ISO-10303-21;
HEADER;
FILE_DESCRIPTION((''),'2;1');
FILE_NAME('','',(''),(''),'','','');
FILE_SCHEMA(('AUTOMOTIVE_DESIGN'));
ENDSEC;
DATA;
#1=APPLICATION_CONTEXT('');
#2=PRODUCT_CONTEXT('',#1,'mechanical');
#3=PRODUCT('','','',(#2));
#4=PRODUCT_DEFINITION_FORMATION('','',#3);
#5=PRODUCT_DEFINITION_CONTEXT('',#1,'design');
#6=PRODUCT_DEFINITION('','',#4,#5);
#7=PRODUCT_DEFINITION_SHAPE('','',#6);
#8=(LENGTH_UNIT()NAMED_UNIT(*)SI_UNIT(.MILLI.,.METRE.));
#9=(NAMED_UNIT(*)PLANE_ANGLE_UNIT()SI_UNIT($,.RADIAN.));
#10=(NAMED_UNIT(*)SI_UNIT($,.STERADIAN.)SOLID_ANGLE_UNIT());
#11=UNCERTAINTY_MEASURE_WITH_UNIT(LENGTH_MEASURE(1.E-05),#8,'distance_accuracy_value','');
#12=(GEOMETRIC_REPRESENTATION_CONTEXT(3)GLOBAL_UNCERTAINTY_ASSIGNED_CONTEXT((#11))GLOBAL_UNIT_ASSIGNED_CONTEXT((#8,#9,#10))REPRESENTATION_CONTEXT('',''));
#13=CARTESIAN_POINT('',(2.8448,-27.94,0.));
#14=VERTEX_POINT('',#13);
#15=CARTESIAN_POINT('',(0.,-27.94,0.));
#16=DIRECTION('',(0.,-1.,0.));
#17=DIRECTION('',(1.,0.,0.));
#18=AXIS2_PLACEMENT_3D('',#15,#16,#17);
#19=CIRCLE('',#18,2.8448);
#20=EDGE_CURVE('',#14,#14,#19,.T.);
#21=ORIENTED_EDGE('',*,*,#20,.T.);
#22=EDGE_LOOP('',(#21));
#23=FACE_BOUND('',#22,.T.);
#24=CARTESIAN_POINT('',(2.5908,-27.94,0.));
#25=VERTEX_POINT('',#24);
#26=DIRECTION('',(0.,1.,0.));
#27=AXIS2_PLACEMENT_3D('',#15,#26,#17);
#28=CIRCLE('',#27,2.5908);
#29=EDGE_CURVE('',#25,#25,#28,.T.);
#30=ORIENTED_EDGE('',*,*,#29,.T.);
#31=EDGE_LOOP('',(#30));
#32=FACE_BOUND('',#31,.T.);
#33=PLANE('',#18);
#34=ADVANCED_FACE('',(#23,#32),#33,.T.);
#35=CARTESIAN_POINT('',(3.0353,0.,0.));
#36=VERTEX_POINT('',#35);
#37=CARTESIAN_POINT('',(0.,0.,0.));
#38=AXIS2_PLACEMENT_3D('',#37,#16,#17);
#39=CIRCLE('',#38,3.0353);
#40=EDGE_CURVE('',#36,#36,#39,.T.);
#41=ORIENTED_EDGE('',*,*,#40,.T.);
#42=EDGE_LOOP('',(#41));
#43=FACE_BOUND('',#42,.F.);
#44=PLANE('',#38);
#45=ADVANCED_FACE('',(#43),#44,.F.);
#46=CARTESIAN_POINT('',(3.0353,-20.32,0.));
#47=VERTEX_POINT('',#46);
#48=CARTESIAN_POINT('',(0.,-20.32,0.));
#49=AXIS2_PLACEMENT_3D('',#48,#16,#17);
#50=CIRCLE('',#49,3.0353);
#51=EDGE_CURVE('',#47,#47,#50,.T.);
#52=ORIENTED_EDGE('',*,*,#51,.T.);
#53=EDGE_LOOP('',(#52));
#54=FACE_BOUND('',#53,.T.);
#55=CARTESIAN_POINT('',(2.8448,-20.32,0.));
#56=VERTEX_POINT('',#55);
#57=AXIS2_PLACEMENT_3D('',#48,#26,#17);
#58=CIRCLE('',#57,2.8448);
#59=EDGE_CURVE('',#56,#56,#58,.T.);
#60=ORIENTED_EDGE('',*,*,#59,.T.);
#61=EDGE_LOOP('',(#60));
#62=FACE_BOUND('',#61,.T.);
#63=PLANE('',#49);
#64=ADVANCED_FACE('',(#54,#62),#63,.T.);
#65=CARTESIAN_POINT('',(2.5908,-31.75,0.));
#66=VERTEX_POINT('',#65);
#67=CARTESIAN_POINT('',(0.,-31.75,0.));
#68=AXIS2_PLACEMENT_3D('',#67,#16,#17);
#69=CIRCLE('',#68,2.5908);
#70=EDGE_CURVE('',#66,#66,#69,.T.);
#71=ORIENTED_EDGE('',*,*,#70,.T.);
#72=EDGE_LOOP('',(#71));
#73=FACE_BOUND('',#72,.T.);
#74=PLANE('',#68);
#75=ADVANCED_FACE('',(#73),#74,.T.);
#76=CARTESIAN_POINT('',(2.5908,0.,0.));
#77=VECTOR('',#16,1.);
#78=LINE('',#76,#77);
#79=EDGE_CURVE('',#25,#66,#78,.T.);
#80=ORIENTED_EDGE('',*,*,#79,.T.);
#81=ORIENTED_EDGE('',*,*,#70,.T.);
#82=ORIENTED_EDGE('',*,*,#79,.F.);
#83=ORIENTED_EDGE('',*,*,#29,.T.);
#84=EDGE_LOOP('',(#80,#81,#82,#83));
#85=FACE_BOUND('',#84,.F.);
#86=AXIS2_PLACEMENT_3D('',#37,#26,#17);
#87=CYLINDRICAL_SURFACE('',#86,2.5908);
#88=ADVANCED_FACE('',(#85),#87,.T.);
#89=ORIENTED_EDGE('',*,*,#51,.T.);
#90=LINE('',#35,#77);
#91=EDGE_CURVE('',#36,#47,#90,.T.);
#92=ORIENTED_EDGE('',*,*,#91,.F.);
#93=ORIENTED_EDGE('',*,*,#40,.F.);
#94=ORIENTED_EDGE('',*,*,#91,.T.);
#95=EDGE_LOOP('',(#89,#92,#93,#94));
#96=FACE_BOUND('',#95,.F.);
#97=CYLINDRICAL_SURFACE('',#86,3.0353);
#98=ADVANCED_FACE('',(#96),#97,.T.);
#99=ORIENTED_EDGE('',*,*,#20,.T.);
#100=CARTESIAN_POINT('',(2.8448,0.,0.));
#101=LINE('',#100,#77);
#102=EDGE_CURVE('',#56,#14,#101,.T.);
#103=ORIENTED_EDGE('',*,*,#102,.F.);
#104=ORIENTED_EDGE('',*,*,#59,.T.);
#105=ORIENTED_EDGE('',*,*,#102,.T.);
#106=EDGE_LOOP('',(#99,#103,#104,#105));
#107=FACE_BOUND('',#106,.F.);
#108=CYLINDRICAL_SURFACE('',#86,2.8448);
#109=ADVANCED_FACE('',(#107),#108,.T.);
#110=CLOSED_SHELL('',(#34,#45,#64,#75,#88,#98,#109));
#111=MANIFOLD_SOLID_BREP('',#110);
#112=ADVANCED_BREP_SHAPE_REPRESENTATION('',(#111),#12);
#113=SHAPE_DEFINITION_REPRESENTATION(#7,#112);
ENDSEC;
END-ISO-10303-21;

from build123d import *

# Parameters (mm, degrees)
F0_R     = 2.5908
F3_DEPTH = 31.75
F1_R     = 2.8448
F4_DEPTH = 27.94
F2_R     = 3.0353
F5_DEPTH = 20.32


with BuildPart() as f3:
    # F0 (on Front) → F3 (new body)
    with BuildSketch(Plane.XZ):
        Circle(F0_R)
    extrude(amount=F3_DEPTH)

    # F1 (on Front) → F4 (join)
    with BuildSketch(Plane.XZ):
        Circle(F1_R)
    extrude(amount=F4_DEPTH)

    # F2 (on Front) → F5 (join)
    with BuildSketch(Plane.XZ):
        Circle(F2_R)
    extrude(amount=F5_DEPTH)


solid = f3.part
